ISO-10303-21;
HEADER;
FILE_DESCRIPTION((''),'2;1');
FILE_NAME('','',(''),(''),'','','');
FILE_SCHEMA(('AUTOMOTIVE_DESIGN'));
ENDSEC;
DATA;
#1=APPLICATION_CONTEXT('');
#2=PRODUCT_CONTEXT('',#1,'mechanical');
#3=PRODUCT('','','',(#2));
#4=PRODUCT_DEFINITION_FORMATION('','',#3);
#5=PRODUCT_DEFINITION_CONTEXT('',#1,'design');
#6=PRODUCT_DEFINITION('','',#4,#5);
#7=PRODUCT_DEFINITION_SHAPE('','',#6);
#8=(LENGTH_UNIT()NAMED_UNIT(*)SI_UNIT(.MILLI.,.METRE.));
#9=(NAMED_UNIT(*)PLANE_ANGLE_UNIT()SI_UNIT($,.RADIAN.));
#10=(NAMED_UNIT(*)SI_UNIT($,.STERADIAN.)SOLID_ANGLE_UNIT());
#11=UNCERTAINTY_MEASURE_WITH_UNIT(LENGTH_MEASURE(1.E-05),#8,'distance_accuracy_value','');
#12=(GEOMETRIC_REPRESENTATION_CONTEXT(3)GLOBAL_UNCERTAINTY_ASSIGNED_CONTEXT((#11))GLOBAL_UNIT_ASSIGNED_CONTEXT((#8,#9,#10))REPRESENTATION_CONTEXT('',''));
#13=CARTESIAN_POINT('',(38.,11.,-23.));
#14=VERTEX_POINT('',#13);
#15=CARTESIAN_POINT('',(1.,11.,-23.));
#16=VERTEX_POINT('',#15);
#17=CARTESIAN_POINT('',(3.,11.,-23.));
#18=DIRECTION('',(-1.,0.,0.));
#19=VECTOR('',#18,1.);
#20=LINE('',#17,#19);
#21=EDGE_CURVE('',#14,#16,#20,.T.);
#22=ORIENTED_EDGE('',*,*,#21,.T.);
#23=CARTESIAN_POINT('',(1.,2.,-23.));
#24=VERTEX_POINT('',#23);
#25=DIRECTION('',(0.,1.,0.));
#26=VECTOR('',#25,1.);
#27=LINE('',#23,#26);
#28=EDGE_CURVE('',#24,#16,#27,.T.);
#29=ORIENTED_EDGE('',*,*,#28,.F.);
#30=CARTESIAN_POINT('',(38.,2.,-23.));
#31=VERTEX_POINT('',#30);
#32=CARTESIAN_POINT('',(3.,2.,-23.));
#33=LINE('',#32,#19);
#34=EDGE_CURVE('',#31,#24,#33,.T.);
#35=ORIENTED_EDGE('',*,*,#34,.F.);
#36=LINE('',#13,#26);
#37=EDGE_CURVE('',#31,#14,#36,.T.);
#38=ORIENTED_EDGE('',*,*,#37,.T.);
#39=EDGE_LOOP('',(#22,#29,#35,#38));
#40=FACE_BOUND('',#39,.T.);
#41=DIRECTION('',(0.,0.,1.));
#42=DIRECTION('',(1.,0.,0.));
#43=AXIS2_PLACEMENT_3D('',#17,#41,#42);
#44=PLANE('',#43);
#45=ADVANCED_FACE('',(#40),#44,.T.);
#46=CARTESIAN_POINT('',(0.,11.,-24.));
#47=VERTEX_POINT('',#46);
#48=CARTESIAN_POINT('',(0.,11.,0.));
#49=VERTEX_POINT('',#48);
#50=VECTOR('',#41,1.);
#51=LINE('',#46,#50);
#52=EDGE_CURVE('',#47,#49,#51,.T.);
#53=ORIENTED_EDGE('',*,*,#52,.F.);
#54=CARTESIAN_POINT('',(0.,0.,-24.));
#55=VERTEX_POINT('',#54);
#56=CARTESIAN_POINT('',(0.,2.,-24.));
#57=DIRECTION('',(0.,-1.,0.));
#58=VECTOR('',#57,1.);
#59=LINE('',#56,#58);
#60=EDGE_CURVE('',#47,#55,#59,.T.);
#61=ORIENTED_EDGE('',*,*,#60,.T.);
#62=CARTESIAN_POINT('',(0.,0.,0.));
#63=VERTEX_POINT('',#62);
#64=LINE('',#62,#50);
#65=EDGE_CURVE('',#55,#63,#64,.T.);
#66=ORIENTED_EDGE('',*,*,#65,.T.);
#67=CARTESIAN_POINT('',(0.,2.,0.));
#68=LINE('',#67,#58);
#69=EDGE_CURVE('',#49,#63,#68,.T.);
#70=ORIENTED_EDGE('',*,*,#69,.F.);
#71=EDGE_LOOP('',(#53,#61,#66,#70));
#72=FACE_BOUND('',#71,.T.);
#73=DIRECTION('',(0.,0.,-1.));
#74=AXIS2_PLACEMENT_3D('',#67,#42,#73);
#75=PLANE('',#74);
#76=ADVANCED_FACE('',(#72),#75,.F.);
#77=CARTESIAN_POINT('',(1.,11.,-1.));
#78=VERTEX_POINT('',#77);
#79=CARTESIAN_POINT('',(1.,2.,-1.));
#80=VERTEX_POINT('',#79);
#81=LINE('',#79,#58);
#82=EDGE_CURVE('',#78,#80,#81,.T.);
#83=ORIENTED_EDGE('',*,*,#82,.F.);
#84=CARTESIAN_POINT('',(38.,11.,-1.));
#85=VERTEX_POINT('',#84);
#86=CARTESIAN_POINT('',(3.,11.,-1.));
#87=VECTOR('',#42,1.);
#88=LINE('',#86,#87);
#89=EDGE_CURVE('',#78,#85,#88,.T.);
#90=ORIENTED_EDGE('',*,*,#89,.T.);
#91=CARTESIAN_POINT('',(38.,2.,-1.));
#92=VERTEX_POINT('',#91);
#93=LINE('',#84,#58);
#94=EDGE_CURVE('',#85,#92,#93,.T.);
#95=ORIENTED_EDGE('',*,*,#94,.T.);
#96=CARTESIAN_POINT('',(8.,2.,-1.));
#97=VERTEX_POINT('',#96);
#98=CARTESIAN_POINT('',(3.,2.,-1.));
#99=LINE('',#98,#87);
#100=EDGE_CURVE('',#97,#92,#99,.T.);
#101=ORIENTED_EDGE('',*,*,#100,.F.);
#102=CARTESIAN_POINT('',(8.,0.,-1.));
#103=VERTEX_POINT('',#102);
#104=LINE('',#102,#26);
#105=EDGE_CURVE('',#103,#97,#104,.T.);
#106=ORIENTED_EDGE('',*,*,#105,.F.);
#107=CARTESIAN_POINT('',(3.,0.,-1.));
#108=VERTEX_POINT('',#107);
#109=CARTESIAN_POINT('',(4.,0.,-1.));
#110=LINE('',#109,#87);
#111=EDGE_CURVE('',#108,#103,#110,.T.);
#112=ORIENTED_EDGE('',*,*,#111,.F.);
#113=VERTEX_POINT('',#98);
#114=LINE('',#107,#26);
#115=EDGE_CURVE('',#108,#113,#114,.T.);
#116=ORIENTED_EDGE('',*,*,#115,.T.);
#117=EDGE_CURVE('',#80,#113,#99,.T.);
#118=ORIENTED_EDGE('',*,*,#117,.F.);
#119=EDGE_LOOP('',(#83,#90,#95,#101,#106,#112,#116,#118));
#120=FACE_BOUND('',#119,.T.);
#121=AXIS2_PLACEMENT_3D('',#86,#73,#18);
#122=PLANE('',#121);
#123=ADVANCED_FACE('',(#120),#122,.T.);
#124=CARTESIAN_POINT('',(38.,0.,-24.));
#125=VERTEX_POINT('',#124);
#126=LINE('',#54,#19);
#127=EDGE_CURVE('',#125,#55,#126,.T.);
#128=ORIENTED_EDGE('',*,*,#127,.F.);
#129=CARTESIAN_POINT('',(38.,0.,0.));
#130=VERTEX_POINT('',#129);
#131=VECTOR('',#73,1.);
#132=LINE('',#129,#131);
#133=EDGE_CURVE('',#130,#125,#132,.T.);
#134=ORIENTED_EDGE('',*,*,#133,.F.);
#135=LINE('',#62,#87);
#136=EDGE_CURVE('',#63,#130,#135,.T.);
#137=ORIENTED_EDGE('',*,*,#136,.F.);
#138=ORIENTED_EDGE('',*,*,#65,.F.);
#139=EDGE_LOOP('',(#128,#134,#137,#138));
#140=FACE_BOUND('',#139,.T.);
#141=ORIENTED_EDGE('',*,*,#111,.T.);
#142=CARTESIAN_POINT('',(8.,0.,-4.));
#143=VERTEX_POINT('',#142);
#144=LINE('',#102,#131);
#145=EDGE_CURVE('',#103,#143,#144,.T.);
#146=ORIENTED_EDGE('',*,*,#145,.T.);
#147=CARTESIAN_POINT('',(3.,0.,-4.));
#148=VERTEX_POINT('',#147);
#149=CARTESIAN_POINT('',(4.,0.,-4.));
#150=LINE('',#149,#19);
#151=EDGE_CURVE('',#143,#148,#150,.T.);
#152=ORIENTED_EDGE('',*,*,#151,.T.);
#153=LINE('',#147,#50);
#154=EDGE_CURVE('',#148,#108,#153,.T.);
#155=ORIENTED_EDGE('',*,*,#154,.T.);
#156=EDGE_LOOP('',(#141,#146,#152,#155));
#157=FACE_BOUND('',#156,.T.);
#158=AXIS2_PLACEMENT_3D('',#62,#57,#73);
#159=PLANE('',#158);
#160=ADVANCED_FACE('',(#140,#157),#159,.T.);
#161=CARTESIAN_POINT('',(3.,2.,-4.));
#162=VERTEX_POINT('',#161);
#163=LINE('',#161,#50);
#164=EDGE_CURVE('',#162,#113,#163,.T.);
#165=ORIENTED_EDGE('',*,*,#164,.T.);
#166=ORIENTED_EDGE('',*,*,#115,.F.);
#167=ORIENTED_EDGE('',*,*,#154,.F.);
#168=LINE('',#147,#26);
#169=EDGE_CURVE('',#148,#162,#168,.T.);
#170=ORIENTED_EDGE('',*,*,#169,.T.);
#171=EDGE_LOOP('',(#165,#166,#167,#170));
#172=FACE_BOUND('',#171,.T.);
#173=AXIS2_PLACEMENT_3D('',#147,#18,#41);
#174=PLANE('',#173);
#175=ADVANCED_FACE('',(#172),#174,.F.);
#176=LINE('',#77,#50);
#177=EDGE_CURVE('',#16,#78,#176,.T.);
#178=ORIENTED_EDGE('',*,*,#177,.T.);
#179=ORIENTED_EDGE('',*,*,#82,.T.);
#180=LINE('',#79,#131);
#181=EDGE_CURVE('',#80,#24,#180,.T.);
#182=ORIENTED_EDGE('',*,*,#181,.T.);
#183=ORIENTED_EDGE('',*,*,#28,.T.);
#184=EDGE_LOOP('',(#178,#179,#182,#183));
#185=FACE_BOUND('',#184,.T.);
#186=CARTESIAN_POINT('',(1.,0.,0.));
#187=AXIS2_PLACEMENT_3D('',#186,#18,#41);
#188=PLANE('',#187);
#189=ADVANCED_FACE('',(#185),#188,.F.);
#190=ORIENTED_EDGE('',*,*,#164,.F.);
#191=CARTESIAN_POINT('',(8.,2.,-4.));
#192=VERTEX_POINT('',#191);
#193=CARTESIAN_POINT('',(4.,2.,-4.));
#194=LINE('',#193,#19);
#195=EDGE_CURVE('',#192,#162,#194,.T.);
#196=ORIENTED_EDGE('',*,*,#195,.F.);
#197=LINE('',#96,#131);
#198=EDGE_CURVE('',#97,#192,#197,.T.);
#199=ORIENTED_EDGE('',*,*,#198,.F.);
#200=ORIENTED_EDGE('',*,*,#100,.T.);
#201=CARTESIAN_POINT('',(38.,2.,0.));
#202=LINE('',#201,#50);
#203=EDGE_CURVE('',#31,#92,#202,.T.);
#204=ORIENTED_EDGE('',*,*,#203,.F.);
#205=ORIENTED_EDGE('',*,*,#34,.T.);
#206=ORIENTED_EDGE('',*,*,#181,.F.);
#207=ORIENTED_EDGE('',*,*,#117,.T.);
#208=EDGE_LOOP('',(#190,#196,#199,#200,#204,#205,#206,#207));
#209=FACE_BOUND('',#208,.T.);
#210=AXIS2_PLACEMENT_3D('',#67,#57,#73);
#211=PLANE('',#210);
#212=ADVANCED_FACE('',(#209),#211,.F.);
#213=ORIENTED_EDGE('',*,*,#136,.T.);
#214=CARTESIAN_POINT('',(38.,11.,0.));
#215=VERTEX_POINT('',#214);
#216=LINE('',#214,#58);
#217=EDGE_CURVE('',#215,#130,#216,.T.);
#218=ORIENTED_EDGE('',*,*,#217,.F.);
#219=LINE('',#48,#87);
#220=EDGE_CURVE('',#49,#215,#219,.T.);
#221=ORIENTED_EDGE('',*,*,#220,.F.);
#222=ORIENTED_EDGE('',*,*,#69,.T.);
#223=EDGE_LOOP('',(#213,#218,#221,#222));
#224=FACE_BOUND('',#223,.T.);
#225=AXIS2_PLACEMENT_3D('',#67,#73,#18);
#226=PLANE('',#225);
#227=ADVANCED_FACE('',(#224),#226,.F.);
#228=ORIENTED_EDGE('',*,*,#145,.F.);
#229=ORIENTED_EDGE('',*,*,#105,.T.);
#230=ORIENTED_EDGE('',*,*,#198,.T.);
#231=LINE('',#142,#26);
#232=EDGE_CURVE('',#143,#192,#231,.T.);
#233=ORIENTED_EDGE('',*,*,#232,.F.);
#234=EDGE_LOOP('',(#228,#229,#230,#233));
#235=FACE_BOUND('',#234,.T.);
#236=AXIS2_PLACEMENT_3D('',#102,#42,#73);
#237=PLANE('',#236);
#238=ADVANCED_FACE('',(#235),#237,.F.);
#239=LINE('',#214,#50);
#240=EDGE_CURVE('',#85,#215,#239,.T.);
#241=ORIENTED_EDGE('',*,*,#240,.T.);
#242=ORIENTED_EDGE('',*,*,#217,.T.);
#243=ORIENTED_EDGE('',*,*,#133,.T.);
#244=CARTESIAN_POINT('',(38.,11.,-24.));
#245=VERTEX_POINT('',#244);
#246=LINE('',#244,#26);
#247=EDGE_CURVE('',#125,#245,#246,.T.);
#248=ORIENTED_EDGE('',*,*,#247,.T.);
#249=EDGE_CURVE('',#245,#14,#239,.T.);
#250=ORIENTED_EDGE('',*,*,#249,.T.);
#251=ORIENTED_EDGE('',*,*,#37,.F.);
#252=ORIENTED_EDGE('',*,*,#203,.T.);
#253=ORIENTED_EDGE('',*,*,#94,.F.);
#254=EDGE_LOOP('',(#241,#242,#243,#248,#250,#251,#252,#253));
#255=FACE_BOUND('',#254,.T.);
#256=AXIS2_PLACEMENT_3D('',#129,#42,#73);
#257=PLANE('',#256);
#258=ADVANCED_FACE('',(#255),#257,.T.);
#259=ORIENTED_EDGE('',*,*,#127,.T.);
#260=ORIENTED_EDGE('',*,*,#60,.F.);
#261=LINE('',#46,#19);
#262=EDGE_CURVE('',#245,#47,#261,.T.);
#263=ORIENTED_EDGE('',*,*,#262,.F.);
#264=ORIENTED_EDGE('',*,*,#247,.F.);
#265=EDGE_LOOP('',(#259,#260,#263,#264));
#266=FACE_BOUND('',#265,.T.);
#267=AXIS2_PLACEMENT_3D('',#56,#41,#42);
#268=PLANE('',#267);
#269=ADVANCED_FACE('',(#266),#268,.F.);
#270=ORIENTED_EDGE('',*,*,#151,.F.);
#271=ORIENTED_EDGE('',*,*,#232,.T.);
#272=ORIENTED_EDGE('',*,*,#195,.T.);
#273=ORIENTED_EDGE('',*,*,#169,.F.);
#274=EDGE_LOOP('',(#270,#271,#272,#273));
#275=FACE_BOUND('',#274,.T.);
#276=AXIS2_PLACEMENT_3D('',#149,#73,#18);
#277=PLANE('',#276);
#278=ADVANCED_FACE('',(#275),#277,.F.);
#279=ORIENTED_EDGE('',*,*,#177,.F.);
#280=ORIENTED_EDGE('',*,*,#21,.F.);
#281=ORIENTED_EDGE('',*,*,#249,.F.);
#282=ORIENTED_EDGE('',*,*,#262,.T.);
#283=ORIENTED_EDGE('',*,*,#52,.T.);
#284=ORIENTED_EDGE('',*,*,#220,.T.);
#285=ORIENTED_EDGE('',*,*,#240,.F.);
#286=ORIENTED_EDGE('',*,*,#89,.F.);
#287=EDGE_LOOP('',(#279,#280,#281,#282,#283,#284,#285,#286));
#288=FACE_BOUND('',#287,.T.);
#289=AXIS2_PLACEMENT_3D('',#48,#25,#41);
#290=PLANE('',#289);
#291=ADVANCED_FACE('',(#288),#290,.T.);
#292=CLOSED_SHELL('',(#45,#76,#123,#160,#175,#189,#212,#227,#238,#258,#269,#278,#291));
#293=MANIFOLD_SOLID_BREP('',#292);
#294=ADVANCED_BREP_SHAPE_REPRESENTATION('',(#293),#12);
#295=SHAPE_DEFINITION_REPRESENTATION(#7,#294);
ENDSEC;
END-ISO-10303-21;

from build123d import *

# Parameters (mm, degrees)
SKETCH1_W           = 40
SKETCH1_H           = 24
BOSS_EXTRUDE1_DEPTH = 2
SKETCH2_W           = 40
SKETCH2_H           = 24
SKETCH2_W_2         = 36
SKETCH2_H_2         = 22
BOSS_EXTRUDE3_DEPTH = 9
SKETCH5_W           = 4
SKETCH5_H           = 3
CUT_EXTRUDE1_DEPTH  = 2
SKETCH6_W           = 24
SKETCH6_H           = 11
CUT_EXTRUDE2_DEPTH  = 2
SKETCH7_W           = 22
SKETCH7_H           = 9
CUT_EXTRUDE3_DEPTH  = 2
SKETCH8_W           = 1
SKETCH8_H           = 3
CUT_EXTRUDE4_DEPTH  = 2


with BuildPart() as part:
    # Sketch1 → Boss-Extrude1 (new body)
    with BuildSketch(Plane(origin=(0, 0, 0), x_dir=(1, 0, 0), z_dir=(0, 1, 0))):
        with Locations((20, 12)):
            Rectangle(SKETCH1_W, SKETCH1_H)
    extrude(amount=BOSS_EXTRUDE1_DEPTH)

    # Sketch2 → Boss-Extrude3 (add)
    with BuildSketch(Plane(origin=(0, 2, 0), x_dir=(1, 0, 0), z_dir=(0, 1, 0))):
        with Locations((20, 12)):
            Rectangle(SKETCH2_W, SKETCH2_H)
        with Locations((21, 12)):
            Rectangle(SKETCH2_W_2, SKETCH2_H_2, mode=Mode.SUBTRACT)
    extrude(amount=BOSS_EXTRUDE3_DEPTH)

    # Sketch5 → Cut-Extrude1 (cut)
    with BuildSketch(Plane(origin=(0, 2, 0), x_dir=(1, 0, 0), z_dir=(0, 1, 0))):
        with Locations((6, 2.5)):
            Rectangle(SKETCH5_W, SKETCH5_H)
    extrude(amount=-CUT_EXTRUDE1_DEPTH, mode=Mode.SUBTRACT)

    # Sketch6 → Cut-Extrude2 (cut)
    with BuildSketch(Plane(origin=(40, 0, 0), x_dir=(0, 0, -1), z_dir=(1, 0, 0))):
        with Locations((12, 5.5)):
            Rectangle(SKETCH6_W, SKETCH6_H)
    extrude(amount=-CUT_EXTRUDE2_DEPTH, mode=Mode.SUBTRACT)

    # Sketch7 → Cut-Extrude3 (cut)
    with BuildSketch(Plane(origin=(3, 0, 0), x_dir=(0, 0, -1), z_dir=(1, 0, 0))):
        with Locations((12, 6.5)):
            Rectangle(SKETCH7_W, SKETCH7_H)
    extrude(amount=-CUT_EXTRUDE3_DEPTH, mode=Mode.SUBTRACT)

    # Sketch8 → Cut-Extrude4 (cut)
    with BuildSketch(Plane(origin=(0, 2, 0), x_dir=(1, 0, 0), z_dir=(0, 1, 0))):
        with Locations((3.5, 2.5)):
            Rectangle(SKETCH8_W, SKETCH8_H)
    extrude(amount=-CUT_EXTRUDE4_DEPTH, mode=Mode.SUBTRACT)


solid = part.part
